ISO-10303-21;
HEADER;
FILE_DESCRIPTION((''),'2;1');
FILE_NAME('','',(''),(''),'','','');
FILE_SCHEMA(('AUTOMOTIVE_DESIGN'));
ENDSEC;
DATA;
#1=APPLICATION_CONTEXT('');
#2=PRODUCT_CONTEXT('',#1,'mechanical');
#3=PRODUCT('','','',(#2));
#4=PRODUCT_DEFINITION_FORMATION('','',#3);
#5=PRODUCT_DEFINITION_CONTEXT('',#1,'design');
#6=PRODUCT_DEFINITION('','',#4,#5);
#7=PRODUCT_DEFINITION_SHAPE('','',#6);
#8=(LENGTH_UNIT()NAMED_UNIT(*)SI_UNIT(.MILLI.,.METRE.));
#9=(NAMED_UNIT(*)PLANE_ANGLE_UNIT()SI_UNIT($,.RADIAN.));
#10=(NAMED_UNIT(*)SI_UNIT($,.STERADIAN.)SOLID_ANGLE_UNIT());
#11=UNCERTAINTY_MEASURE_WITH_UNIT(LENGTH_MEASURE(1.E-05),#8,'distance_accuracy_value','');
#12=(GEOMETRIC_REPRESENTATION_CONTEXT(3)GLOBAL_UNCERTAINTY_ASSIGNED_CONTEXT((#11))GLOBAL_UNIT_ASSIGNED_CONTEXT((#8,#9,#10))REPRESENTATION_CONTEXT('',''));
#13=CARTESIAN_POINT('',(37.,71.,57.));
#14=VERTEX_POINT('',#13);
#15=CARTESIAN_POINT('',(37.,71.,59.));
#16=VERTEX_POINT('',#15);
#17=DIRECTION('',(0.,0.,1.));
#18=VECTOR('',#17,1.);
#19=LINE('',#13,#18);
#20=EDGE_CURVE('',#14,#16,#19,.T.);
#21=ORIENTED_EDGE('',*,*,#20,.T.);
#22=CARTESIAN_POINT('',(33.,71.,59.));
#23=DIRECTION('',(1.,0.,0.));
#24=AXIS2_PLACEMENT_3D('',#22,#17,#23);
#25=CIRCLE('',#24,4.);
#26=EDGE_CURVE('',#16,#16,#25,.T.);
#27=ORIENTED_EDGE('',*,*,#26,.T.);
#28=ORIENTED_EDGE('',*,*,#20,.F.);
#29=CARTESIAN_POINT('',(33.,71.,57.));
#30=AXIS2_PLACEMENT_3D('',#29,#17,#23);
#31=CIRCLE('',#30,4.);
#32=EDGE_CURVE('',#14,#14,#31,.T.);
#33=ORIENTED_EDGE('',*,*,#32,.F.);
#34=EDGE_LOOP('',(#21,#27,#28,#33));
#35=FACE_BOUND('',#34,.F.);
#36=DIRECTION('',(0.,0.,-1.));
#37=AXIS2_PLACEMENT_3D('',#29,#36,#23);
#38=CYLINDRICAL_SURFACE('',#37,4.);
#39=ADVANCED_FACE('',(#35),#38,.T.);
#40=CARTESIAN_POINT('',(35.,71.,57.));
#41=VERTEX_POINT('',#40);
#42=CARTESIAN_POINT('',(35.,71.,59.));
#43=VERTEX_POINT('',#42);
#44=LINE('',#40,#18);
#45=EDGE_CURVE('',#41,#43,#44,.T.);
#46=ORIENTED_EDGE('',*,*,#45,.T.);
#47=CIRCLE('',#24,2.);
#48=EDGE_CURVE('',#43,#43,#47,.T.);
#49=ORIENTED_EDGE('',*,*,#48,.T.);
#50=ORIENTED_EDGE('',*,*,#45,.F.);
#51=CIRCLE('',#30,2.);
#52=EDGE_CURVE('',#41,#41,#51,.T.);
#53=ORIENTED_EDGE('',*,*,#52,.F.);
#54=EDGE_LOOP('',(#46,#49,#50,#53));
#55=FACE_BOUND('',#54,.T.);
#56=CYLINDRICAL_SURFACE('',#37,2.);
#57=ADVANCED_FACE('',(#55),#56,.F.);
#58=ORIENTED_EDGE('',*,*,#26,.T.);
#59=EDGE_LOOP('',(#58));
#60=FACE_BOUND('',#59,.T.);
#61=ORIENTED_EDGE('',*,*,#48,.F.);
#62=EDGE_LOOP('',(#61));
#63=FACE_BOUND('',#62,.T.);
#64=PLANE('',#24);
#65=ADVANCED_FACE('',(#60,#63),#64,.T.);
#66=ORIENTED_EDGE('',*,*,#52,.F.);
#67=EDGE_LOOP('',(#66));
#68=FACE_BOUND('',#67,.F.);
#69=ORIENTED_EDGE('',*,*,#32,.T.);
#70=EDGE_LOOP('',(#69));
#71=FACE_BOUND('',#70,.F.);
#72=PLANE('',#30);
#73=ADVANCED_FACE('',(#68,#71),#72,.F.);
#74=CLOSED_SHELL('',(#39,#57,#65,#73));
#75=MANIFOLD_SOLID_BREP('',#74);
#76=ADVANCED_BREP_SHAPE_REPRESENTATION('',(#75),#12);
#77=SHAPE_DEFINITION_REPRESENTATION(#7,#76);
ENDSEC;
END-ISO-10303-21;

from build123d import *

# Parameters (mm, degrees)
CYLINDER359_R     = 2
CYLINDER359_DEPTH = 2
CYLINDER360_R     = 4
CYLINDER360_DEPTH = 2


with BuildPart() as cylinder359:
    # Cylinder359 → Cylinder359 (new body)
    with BuildSketch(Plane.XY):
        Circle(CYLINDER359_R)
    extrude(amount=CYLINDER359_DEPTH)


with BuildPart() as spacer6:
    # Cylinder360 → Cylinder360 (new body)
    with BuildSketch(Plane.XY):
        Circle(CYLINDER360_R)
    extrude(amount=CYLINDER360_DEPTH)

    # Cut374: cut Cylinder359
    add(cylinder359.part, mode=Mode.SUBTRACT)


with BuildPart() as spacer6_1:
    # Cut374 placement: moved
    add(spacer6.part.moved(Location((33, 71, 57))))


solid = spacer6_1.part
